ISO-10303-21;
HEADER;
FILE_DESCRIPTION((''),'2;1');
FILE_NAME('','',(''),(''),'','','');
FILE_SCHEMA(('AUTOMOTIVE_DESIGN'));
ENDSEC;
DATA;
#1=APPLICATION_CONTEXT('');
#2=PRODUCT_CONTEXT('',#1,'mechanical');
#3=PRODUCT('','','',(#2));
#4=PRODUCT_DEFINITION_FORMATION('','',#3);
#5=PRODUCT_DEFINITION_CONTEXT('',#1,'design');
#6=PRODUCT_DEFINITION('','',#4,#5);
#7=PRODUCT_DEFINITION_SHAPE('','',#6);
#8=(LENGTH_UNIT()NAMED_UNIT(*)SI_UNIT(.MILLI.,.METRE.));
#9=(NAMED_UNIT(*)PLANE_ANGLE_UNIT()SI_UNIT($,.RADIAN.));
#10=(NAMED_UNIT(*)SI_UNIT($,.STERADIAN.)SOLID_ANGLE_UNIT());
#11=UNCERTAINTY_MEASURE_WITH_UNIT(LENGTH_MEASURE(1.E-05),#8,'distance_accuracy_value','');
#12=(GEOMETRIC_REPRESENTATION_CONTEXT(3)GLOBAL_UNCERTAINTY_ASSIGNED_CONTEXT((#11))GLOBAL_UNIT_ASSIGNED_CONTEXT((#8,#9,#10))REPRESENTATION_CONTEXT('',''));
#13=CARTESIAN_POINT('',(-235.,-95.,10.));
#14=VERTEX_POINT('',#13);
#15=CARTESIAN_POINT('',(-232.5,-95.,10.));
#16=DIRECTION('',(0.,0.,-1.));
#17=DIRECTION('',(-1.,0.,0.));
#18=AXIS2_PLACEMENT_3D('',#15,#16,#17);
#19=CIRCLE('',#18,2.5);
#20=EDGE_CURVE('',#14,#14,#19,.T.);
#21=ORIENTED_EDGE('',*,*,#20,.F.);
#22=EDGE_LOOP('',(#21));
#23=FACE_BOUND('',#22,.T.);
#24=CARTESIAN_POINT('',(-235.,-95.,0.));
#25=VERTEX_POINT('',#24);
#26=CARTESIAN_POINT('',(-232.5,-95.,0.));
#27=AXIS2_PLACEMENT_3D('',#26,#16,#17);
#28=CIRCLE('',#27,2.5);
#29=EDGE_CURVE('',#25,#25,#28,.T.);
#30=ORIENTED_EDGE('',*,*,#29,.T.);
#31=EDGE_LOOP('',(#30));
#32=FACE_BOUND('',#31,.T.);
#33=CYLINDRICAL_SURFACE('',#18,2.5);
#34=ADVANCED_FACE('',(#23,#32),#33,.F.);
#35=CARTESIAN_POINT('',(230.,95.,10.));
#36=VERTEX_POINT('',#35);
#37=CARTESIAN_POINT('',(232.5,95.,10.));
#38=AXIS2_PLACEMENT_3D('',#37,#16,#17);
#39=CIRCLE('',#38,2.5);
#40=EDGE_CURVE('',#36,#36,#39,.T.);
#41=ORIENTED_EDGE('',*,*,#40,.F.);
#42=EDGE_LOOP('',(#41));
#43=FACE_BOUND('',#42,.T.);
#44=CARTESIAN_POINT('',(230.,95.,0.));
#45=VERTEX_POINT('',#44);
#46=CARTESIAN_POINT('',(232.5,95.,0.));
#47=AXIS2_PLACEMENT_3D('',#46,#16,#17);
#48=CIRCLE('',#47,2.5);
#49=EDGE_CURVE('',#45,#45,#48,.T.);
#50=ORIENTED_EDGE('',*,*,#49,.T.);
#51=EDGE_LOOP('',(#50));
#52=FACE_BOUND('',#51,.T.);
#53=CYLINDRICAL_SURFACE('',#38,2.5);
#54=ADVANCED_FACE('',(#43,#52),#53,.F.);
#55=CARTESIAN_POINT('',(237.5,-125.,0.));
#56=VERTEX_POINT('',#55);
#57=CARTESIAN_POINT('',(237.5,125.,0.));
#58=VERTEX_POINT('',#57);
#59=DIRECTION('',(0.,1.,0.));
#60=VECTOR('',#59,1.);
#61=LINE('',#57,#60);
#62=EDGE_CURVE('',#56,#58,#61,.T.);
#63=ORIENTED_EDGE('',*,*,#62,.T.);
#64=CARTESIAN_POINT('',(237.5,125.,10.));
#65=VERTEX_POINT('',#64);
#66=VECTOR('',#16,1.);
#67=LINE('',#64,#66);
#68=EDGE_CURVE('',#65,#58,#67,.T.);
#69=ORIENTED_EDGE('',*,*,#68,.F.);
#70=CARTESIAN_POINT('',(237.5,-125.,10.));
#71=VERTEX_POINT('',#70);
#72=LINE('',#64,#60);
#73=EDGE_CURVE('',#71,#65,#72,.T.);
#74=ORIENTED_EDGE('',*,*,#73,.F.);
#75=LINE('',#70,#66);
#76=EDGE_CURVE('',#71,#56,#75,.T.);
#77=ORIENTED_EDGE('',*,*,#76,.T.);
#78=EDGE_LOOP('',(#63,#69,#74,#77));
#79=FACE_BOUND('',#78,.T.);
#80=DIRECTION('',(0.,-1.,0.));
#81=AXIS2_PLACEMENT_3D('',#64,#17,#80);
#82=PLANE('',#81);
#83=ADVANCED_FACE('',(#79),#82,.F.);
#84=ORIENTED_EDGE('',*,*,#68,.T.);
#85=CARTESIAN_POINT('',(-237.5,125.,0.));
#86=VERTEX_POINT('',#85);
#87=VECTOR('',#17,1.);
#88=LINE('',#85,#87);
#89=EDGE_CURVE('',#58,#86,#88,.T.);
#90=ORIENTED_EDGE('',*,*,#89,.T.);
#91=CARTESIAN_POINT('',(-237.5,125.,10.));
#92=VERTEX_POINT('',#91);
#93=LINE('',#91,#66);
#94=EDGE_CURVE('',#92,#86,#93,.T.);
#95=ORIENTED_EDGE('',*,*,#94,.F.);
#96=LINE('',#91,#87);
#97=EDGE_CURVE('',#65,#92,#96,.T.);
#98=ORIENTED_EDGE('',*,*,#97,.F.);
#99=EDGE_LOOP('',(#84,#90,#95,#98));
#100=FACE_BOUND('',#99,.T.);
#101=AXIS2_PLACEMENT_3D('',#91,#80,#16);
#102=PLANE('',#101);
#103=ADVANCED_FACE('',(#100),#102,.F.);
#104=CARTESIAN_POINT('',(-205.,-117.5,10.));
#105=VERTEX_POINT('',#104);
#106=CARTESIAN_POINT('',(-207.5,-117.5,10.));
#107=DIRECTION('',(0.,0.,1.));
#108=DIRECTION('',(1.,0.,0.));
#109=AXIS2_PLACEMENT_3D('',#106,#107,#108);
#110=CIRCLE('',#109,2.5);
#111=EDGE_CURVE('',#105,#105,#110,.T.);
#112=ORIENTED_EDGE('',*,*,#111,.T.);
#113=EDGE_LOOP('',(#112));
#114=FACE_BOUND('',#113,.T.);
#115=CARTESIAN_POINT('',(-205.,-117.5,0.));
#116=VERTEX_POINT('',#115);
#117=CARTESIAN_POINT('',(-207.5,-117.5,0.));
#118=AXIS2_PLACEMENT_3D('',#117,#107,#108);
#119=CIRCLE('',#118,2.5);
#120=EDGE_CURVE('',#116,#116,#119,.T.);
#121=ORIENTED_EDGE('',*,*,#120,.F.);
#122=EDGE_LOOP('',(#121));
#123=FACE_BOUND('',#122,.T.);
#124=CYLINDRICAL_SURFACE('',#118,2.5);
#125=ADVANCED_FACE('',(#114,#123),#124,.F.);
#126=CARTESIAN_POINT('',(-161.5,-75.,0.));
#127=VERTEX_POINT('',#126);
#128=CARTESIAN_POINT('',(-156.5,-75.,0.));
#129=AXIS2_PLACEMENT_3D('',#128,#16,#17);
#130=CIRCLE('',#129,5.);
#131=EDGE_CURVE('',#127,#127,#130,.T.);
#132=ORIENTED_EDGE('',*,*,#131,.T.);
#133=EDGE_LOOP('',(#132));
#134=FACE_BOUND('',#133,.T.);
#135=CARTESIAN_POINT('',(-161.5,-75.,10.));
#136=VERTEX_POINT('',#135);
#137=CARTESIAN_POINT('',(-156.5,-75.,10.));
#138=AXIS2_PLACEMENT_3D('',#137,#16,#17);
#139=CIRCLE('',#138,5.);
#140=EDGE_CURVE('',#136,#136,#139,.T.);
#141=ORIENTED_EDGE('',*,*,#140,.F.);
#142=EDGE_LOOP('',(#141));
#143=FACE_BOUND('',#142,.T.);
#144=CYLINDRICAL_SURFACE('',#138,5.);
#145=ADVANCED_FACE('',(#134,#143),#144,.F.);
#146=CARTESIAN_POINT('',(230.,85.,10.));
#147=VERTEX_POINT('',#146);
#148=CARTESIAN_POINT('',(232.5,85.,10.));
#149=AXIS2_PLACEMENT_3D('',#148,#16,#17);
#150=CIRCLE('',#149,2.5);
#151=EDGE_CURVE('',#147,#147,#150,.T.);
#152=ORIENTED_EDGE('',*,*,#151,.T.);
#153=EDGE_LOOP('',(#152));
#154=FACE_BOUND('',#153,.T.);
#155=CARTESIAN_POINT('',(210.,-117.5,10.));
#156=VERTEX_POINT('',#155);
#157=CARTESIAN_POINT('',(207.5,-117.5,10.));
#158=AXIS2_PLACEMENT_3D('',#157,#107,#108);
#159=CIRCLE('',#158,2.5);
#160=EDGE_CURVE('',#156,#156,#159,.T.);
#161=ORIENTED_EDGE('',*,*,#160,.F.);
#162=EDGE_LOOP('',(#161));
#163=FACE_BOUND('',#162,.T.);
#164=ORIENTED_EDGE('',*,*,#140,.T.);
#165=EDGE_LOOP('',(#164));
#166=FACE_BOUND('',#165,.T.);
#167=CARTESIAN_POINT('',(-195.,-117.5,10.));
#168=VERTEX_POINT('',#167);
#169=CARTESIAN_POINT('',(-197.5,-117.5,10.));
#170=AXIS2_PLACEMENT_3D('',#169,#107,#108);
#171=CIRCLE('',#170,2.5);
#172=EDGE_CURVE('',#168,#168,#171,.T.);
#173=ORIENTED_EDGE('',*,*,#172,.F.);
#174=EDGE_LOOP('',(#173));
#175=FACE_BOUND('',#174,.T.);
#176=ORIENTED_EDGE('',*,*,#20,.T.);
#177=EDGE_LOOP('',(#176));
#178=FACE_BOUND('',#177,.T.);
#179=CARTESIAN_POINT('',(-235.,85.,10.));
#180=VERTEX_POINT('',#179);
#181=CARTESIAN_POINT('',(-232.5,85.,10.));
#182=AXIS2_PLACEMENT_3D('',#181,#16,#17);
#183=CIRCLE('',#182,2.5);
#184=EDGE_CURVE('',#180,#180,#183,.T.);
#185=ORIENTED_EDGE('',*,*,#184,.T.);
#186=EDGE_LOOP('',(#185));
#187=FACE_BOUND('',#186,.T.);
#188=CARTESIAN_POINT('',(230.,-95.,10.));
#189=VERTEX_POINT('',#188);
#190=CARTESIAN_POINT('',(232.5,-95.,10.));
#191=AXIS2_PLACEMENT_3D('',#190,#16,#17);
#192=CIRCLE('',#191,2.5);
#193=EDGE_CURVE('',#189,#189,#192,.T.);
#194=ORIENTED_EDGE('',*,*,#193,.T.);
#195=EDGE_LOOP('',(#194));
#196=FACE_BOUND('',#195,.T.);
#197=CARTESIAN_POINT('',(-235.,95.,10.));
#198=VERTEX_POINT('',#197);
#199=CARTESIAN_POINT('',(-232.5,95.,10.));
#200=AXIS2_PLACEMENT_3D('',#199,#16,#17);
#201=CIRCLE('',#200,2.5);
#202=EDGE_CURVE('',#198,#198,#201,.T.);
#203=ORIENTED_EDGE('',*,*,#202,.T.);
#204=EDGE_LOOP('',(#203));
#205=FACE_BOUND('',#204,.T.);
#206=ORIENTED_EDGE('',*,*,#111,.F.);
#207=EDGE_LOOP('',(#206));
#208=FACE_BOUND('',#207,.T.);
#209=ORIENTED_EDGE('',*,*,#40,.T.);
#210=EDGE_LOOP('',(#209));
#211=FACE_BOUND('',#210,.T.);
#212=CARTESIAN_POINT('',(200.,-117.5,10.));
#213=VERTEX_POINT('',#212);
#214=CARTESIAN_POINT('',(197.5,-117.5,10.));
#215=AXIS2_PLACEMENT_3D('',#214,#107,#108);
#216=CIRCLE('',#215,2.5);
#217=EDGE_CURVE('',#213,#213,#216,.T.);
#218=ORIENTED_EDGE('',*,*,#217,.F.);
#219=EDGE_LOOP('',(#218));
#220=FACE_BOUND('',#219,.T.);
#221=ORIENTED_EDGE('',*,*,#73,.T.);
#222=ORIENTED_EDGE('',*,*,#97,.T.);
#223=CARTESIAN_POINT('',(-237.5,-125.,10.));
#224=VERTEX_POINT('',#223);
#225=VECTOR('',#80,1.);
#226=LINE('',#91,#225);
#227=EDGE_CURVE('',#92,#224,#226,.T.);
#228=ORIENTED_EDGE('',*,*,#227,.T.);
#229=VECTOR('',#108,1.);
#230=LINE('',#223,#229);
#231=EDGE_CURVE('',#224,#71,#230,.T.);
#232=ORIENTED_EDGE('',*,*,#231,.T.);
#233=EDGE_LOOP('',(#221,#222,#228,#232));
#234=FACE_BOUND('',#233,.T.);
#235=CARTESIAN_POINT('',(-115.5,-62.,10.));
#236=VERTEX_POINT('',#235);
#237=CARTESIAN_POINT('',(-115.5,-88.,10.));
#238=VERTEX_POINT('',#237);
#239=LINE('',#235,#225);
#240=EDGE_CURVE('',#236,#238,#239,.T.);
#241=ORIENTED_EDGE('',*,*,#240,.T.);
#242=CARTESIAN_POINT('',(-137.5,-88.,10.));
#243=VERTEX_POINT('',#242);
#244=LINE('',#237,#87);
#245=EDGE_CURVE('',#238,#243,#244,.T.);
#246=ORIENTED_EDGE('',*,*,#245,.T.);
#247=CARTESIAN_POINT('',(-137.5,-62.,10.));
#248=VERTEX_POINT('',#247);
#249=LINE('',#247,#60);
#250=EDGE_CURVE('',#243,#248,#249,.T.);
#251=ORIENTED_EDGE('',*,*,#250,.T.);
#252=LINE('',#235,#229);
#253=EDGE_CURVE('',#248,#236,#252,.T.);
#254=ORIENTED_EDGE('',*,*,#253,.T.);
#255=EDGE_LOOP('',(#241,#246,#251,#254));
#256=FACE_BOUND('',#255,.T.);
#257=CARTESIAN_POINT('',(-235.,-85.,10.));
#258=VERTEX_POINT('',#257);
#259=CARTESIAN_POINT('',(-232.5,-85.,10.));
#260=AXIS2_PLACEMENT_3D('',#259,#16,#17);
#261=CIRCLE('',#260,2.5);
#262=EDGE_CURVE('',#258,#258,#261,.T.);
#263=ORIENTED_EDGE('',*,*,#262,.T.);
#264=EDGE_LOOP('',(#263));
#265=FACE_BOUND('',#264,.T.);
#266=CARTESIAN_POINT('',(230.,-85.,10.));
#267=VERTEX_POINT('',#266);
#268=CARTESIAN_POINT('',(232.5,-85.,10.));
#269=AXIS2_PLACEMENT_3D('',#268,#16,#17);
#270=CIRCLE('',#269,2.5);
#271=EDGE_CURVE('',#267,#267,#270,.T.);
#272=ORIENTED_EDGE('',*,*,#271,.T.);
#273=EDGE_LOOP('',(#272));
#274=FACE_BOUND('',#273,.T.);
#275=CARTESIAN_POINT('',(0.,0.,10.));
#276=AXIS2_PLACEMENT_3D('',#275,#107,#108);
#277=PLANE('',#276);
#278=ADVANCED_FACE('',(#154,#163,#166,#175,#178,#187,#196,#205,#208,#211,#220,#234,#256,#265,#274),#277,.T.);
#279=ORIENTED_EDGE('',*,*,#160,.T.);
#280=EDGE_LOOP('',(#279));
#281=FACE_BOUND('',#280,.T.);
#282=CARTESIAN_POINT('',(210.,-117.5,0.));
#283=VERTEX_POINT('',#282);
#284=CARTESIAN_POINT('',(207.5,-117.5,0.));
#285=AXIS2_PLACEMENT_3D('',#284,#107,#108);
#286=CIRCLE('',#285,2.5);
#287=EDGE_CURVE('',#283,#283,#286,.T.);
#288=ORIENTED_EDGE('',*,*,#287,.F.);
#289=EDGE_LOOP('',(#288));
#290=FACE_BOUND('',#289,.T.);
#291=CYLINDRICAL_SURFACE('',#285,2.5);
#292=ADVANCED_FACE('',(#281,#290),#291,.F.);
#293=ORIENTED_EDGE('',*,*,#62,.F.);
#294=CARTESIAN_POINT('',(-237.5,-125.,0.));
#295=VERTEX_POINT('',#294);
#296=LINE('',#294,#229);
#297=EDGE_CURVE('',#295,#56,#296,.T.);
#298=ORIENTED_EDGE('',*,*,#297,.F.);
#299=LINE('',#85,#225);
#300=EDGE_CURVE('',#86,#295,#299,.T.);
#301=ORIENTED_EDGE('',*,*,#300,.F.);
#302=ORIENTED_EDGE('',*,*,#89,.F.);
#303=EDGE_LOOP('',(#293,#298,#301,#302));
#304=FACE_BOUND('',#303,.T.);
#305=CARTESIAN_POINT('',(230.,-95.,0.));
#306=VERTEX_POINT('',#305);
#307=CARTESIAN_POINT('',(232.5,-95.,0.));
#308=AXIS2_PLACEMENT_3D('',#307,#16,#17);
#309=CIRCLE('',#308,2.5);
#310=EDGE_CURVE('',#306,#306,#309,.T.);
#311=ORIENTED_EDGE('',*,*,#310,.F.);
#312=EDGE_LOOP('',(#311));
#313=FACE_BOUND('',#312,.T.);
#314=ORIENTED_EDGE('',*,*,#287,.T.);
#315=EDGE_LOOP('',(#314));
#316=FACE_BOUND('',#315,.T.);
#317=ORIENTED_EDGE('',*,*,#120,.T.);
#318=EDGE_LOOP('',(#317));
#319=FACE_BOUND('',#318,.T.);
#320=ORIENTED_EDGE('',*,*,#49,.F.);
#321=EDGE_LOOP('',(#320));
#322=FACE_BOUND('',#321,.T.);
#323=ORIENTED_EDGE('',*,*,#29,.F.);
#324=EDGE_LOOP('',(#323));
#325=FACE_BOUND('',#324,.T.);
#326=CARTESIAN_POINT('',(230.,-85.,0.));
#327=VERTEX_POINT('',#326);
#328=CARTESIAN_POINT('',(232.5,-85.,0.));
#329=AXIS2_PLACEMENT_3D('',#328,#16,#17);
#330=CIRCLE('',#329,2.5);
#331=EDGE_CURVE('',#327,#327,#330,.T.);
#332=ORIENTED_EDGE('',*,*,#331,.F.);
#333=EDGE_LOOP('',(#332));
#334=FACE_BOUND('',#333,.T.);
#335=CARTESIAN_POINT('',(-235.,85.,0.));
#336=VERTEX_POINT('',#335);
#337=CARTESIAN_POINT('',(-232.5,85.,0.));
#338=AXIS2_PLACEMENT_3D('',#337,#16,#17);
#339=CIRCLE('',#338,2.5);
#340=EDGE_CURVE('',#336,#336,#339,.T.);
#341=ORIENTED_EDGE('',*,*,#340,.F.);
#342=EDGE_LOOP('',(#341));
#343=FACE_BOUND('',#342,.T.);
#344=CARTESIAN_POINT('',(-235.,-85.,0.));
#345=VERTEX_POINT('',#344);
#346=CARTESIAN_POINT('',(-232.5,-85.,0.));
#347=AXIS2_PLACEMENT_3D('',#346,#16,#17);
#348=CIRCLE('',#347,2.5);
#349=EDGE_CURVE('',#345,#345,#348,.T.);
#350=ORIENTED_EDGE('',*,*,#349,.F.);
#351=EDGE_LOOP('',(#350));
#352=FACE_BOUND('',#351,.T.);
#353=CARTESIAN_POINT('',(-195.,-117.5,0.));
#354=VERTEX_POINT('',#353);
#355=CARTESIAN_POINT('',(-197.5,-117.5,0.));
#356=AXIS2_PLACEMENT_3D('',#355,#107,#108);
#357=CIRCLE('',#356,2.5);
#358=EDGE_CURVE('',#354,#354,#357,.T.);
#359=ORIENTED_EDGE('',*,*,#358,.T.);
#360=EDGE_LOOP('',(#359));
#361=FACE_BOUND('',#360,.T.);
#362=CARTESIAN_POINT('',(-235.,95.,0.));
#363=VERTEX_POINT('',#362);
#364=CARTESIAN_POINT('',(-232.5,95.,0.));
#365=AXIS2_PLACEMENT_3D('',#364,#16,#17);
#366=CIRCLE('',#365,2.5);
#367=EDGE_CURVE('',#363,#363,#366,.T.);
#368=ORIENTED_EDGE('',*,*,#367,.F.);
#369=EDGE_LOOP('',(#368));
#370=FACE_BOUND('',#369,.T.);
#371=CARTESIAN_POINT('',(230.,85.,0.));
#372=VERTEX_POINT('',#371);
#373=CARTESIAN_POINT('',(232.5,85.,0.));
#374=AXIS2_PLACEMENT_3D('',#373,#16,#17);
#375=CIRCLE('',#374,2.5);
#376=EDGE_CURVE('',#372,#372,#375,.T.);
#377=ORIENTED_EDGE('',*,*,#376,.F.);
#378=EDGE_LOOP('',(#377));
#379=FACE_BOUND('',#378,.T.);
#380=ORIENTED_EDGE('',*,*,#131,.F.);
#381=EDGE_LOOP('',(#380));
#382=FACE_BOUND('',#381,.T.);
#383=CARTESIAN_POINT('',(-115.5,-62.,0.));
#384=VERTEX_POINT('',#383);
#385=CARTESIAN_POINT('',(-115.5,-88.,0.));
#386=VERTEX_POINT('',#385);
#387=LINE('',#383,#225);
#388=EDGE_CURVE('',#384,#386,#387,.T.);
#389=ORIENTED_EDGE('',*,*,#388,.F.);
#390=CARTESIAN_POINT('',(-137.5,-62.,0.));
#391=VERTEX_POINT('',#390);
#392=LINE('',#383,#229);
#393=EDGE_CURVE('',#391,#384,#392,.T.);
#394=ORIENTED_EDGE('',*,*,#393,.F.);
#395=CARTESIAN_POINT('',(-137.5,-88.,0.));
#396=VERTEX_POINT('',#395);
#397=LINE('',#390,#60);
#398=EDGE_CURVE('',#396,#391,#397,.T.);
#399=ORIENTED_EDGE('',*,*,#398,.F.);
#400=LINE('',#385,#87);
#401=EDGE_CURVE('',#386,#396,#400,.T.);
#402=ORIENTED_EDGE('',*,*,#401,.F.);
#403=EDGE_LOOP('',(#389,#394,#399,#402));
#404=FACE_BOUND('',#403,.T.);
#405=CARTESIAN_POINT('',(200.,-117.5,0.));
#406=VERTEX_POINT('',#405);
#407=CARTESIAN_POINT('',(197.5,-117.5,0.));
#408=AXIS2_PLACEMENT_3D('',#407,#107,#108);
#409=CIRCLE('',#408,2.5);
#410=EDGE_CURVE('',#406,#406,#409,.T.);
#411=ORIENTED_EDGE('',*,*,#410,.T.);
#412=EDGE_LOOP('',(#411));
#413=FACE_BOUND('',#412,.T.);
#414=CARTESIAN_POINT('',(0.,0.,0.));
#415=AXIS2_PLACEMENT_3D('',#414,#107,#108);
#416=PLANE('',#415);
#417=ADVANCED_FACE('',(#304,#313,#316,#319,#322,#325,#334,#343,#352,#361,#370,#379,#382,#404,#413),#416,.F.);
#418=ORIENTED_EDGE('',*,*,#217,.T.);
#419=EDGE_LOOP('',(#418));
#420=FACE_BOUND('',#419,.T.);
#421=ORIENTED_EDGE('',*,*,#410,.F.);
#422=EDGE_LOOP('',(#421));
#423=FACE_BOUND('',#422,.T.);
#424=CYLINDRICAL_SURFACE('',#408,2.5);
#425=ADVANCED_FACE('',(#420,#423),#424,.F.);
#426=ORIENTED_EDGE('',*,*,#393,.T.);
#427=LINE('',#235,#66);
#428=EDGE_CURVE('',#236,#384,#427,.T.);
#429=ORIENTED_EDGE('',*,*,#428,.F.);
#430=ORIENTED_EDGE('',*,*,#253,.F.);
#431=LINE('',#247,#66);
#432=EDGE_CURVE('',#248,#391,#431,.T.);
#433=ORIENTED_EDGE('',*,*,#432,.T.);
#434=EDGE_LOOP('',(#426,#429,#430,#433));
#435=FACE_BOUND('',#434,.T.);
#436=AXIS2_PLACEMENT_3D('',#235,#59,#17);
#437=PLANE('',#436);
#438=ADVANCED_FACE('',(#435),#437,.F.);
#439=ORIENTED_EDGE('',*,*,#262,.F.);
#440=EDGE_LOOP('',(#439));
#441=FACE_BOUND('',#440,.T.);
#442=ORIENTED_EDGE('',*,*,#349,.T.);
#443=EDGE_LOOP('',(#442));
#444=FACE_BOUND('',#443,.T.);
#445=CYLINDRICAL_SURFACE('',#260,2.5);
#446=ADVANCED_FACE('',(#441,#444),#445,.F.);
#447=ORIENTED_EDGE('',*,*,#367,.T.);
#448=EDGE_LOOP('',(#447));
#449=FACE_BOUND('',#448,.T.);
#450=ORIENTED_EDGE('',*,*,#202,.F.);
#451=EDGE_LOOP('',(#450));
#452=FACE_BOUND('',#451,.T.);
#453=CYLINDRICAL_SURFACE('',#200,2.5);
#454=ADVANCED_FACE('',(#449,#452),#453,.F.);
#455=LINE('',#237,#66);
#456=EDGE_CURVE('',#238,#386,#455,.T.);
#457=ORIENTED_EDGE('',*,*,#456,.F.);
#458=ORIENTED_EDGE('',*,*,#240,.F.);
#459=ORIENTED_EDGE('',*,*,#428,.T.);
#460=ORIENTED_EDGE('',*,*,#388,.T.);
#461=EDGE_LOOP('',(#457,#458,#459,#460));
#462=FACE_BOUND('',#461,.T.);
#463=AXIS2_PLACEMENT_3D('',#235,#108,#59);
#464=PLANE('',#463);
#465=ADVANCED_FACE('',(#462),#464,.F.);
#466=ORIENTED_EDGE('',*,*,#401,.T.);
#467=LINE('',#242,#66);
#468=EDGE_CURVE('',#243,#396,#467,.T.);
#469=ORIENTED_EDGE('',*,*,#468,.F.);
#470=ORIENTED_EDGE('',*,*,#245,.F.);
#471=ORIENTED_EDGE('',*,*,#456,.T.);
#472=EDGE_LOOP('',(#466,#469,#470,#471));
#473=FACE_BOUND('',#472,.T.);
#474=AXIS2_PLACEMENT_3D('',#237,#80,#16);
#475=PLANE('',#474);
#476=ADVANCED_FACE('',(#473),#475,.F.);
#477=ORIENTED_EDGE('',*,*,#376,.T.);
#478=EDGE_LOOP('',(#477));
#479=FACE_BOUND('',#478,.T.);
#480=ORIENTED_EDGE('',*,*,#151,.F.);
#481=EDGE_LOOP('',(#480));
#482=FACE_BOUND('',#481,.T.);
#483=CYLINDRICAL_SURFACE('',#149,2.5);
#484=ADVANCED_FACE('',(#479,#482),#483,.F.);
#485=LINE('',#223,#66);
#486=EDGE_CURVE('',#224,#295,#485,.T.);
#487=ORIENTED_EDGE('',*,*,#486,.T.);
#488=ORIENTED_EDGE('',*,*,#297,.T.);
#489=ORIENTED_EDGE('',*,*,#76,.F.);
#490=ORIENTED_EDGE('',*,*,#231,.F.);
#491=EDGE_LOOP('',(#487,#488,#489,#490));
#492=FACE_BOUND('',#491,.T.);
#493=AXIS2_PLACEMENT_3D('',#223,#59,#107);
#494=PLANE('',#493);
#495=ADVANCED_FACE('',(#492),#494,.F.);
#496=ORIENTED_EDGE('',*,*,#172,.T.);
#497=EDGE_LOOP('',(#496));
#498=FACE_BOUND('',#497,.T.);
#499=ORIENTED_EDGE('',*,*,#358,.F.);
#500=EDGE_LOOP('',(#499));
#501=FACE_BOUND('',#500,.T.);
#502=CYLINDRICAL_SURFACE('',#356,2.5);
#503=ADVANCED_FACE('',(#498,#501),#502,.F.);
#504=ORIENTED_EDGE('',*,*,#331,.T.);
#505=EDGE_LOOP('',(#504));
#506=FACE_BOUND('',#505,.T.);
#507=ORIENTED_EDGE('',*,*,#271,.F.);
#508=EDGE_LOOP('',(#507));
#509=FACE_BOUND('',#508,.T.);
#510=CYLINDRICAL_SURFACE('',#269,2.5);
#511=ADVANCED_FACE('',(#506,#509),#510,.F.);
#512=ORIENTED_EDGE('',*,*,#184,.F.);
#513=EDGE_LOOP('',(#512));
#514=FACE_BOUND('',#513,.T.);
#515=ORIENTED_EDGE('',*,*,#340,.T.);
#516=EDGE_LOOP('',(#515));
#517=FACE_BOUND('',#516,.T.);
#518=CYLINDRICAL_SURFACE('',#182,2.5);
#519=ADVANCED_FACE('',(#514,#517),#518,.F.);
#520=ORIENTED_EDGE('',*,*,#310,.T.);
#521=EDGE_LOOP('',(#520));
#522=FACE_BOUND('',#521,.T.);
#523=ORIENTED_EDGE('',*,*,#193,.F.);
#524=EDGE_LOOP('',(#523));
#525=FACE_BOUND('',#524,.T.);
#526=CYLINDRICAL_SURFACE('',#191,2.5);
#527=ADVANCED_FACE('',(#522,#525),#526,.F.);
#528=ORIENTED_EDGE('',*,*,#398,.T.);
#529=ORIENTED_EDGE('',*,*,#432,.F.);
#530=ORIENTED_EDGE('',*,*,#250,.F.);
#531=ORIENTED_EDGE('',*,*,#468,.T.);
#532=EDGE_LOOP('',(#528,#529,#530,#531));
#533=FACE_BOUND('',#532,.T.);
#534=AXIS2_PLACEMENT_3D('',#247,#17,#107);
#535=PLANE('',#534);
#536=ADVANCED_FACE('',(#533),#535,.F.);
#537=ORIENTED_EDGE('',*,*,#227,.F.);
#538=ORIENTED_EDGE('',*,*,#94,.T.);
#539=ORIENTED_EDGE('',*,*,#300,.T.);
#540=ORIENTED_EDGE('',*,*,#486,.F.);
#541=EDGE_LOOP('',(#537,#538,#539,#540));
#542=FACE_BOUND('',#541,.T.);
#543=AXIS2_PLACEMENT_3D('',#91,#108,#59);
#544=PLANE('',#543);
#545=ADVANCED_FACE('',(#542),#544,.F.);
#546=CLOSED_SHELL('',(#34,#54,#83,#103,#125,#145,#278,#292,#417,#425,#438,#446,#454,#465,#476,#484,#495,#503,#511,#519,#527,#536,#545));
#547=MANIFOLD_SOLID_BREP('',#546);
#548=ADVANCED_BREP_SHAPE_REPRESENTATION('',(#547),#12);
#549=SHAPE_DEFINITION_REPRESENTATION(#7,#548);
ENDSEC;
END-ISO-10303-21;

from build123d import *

# Parameters (mm, degrees)
SKETCH1_W           = 475
SKETCH1_H           = 250
BOSS_EXTRUDE1_DEPTH = 10
SKETCH2_R           = 2.5
CUT_EXTRUDE1_DEPTH  = 269.572615879
SKETCH3_R           = 2.5
CUT_EXTRUDE2_DEPTH  = 269.572615879
SKETCH4_R           = 5
SKETCH4_W           = 22
SKETCH4_H           = 26
CUT_EXTRUDE3_DEPTH  = 269.572615879


with BuildPart() as part:
    # Sketch1 → Boss-Extrude1 (new body)
    with BuildSketch(Plane.XY):
        Rectangle(SKETCH1_W, SKETCH1_H)
    extrude(amount=BOSS_EXTRUDE1_DEPTH)

    # Sketch2 → Cut-Extrude1 (cut, through all)
    with BuildSketch(Plane.XY.offset(10)):
        with Locations((-207.5, -117.5)):
            Circle(SKETCH2_R)
        with Locations((207.5, -117.5)):
            Circle(SKETCH2_R)
        with Locations((197.5, -117.5)):
            Circle(SKETCH2_R)
        with Locations((-197.5, -117.5)):
            Circle(SKETCH2_R)
    extrude(amount=-CUT_EXTRUDE1_DEPTH, mode=Mode.SUBTRACT)

    # Sketch3 → Cut-Extrude2 (cut, through all)
    with BuildSketch(Plane(origin=(0, 0, 0), x_dir=(-1, 0, 0), z_dir=(0, 0, -1))):
        with Locations((232.5, 95)):
            Circle(SKETCH3_R)
        with Locations((232.5, 85)):
            Circle(SKETCH3_R)
        with Locations((232.5, -85)):
            Circle(SKETCH3_R)
        with Locations((232.5, -95)):
            Circle(SKETCH3_R)
        with Locations((-232.5, 95)):
            Circle(SKETCH3_R)
        with Locations((-232.5, 85)):
            Circle(SKETCH3_R)
        with Locations((-232.5, -85)):
            Circle(SKETCH3_R)
        with Locations((-232.5, -95)):
            Circle(SKETCH3_R)
    extrude(amount=-CUT_EXTRUDE2_DEPTH, mode=Mode.SUBTRACT)

    # Sketch4 → Cut-Extrude3 (cut, through all)
    with BuildSketch(Plane(origin=(0, 0, 0), x_dir=(-1, 0, 0), z_dir=(0, 0, -1))):
        with Locations((156.5, -75)):
            Circle(SKETCH4_R)
        with Locations((126.5, -75)):
            Rectangle(SKETCH4_W, SKETCH4_H)
    extrude(amount=-CUT_EXTRUDE3_DEPTH, mode=Mode.SUBTRACT)


solid = part.part
